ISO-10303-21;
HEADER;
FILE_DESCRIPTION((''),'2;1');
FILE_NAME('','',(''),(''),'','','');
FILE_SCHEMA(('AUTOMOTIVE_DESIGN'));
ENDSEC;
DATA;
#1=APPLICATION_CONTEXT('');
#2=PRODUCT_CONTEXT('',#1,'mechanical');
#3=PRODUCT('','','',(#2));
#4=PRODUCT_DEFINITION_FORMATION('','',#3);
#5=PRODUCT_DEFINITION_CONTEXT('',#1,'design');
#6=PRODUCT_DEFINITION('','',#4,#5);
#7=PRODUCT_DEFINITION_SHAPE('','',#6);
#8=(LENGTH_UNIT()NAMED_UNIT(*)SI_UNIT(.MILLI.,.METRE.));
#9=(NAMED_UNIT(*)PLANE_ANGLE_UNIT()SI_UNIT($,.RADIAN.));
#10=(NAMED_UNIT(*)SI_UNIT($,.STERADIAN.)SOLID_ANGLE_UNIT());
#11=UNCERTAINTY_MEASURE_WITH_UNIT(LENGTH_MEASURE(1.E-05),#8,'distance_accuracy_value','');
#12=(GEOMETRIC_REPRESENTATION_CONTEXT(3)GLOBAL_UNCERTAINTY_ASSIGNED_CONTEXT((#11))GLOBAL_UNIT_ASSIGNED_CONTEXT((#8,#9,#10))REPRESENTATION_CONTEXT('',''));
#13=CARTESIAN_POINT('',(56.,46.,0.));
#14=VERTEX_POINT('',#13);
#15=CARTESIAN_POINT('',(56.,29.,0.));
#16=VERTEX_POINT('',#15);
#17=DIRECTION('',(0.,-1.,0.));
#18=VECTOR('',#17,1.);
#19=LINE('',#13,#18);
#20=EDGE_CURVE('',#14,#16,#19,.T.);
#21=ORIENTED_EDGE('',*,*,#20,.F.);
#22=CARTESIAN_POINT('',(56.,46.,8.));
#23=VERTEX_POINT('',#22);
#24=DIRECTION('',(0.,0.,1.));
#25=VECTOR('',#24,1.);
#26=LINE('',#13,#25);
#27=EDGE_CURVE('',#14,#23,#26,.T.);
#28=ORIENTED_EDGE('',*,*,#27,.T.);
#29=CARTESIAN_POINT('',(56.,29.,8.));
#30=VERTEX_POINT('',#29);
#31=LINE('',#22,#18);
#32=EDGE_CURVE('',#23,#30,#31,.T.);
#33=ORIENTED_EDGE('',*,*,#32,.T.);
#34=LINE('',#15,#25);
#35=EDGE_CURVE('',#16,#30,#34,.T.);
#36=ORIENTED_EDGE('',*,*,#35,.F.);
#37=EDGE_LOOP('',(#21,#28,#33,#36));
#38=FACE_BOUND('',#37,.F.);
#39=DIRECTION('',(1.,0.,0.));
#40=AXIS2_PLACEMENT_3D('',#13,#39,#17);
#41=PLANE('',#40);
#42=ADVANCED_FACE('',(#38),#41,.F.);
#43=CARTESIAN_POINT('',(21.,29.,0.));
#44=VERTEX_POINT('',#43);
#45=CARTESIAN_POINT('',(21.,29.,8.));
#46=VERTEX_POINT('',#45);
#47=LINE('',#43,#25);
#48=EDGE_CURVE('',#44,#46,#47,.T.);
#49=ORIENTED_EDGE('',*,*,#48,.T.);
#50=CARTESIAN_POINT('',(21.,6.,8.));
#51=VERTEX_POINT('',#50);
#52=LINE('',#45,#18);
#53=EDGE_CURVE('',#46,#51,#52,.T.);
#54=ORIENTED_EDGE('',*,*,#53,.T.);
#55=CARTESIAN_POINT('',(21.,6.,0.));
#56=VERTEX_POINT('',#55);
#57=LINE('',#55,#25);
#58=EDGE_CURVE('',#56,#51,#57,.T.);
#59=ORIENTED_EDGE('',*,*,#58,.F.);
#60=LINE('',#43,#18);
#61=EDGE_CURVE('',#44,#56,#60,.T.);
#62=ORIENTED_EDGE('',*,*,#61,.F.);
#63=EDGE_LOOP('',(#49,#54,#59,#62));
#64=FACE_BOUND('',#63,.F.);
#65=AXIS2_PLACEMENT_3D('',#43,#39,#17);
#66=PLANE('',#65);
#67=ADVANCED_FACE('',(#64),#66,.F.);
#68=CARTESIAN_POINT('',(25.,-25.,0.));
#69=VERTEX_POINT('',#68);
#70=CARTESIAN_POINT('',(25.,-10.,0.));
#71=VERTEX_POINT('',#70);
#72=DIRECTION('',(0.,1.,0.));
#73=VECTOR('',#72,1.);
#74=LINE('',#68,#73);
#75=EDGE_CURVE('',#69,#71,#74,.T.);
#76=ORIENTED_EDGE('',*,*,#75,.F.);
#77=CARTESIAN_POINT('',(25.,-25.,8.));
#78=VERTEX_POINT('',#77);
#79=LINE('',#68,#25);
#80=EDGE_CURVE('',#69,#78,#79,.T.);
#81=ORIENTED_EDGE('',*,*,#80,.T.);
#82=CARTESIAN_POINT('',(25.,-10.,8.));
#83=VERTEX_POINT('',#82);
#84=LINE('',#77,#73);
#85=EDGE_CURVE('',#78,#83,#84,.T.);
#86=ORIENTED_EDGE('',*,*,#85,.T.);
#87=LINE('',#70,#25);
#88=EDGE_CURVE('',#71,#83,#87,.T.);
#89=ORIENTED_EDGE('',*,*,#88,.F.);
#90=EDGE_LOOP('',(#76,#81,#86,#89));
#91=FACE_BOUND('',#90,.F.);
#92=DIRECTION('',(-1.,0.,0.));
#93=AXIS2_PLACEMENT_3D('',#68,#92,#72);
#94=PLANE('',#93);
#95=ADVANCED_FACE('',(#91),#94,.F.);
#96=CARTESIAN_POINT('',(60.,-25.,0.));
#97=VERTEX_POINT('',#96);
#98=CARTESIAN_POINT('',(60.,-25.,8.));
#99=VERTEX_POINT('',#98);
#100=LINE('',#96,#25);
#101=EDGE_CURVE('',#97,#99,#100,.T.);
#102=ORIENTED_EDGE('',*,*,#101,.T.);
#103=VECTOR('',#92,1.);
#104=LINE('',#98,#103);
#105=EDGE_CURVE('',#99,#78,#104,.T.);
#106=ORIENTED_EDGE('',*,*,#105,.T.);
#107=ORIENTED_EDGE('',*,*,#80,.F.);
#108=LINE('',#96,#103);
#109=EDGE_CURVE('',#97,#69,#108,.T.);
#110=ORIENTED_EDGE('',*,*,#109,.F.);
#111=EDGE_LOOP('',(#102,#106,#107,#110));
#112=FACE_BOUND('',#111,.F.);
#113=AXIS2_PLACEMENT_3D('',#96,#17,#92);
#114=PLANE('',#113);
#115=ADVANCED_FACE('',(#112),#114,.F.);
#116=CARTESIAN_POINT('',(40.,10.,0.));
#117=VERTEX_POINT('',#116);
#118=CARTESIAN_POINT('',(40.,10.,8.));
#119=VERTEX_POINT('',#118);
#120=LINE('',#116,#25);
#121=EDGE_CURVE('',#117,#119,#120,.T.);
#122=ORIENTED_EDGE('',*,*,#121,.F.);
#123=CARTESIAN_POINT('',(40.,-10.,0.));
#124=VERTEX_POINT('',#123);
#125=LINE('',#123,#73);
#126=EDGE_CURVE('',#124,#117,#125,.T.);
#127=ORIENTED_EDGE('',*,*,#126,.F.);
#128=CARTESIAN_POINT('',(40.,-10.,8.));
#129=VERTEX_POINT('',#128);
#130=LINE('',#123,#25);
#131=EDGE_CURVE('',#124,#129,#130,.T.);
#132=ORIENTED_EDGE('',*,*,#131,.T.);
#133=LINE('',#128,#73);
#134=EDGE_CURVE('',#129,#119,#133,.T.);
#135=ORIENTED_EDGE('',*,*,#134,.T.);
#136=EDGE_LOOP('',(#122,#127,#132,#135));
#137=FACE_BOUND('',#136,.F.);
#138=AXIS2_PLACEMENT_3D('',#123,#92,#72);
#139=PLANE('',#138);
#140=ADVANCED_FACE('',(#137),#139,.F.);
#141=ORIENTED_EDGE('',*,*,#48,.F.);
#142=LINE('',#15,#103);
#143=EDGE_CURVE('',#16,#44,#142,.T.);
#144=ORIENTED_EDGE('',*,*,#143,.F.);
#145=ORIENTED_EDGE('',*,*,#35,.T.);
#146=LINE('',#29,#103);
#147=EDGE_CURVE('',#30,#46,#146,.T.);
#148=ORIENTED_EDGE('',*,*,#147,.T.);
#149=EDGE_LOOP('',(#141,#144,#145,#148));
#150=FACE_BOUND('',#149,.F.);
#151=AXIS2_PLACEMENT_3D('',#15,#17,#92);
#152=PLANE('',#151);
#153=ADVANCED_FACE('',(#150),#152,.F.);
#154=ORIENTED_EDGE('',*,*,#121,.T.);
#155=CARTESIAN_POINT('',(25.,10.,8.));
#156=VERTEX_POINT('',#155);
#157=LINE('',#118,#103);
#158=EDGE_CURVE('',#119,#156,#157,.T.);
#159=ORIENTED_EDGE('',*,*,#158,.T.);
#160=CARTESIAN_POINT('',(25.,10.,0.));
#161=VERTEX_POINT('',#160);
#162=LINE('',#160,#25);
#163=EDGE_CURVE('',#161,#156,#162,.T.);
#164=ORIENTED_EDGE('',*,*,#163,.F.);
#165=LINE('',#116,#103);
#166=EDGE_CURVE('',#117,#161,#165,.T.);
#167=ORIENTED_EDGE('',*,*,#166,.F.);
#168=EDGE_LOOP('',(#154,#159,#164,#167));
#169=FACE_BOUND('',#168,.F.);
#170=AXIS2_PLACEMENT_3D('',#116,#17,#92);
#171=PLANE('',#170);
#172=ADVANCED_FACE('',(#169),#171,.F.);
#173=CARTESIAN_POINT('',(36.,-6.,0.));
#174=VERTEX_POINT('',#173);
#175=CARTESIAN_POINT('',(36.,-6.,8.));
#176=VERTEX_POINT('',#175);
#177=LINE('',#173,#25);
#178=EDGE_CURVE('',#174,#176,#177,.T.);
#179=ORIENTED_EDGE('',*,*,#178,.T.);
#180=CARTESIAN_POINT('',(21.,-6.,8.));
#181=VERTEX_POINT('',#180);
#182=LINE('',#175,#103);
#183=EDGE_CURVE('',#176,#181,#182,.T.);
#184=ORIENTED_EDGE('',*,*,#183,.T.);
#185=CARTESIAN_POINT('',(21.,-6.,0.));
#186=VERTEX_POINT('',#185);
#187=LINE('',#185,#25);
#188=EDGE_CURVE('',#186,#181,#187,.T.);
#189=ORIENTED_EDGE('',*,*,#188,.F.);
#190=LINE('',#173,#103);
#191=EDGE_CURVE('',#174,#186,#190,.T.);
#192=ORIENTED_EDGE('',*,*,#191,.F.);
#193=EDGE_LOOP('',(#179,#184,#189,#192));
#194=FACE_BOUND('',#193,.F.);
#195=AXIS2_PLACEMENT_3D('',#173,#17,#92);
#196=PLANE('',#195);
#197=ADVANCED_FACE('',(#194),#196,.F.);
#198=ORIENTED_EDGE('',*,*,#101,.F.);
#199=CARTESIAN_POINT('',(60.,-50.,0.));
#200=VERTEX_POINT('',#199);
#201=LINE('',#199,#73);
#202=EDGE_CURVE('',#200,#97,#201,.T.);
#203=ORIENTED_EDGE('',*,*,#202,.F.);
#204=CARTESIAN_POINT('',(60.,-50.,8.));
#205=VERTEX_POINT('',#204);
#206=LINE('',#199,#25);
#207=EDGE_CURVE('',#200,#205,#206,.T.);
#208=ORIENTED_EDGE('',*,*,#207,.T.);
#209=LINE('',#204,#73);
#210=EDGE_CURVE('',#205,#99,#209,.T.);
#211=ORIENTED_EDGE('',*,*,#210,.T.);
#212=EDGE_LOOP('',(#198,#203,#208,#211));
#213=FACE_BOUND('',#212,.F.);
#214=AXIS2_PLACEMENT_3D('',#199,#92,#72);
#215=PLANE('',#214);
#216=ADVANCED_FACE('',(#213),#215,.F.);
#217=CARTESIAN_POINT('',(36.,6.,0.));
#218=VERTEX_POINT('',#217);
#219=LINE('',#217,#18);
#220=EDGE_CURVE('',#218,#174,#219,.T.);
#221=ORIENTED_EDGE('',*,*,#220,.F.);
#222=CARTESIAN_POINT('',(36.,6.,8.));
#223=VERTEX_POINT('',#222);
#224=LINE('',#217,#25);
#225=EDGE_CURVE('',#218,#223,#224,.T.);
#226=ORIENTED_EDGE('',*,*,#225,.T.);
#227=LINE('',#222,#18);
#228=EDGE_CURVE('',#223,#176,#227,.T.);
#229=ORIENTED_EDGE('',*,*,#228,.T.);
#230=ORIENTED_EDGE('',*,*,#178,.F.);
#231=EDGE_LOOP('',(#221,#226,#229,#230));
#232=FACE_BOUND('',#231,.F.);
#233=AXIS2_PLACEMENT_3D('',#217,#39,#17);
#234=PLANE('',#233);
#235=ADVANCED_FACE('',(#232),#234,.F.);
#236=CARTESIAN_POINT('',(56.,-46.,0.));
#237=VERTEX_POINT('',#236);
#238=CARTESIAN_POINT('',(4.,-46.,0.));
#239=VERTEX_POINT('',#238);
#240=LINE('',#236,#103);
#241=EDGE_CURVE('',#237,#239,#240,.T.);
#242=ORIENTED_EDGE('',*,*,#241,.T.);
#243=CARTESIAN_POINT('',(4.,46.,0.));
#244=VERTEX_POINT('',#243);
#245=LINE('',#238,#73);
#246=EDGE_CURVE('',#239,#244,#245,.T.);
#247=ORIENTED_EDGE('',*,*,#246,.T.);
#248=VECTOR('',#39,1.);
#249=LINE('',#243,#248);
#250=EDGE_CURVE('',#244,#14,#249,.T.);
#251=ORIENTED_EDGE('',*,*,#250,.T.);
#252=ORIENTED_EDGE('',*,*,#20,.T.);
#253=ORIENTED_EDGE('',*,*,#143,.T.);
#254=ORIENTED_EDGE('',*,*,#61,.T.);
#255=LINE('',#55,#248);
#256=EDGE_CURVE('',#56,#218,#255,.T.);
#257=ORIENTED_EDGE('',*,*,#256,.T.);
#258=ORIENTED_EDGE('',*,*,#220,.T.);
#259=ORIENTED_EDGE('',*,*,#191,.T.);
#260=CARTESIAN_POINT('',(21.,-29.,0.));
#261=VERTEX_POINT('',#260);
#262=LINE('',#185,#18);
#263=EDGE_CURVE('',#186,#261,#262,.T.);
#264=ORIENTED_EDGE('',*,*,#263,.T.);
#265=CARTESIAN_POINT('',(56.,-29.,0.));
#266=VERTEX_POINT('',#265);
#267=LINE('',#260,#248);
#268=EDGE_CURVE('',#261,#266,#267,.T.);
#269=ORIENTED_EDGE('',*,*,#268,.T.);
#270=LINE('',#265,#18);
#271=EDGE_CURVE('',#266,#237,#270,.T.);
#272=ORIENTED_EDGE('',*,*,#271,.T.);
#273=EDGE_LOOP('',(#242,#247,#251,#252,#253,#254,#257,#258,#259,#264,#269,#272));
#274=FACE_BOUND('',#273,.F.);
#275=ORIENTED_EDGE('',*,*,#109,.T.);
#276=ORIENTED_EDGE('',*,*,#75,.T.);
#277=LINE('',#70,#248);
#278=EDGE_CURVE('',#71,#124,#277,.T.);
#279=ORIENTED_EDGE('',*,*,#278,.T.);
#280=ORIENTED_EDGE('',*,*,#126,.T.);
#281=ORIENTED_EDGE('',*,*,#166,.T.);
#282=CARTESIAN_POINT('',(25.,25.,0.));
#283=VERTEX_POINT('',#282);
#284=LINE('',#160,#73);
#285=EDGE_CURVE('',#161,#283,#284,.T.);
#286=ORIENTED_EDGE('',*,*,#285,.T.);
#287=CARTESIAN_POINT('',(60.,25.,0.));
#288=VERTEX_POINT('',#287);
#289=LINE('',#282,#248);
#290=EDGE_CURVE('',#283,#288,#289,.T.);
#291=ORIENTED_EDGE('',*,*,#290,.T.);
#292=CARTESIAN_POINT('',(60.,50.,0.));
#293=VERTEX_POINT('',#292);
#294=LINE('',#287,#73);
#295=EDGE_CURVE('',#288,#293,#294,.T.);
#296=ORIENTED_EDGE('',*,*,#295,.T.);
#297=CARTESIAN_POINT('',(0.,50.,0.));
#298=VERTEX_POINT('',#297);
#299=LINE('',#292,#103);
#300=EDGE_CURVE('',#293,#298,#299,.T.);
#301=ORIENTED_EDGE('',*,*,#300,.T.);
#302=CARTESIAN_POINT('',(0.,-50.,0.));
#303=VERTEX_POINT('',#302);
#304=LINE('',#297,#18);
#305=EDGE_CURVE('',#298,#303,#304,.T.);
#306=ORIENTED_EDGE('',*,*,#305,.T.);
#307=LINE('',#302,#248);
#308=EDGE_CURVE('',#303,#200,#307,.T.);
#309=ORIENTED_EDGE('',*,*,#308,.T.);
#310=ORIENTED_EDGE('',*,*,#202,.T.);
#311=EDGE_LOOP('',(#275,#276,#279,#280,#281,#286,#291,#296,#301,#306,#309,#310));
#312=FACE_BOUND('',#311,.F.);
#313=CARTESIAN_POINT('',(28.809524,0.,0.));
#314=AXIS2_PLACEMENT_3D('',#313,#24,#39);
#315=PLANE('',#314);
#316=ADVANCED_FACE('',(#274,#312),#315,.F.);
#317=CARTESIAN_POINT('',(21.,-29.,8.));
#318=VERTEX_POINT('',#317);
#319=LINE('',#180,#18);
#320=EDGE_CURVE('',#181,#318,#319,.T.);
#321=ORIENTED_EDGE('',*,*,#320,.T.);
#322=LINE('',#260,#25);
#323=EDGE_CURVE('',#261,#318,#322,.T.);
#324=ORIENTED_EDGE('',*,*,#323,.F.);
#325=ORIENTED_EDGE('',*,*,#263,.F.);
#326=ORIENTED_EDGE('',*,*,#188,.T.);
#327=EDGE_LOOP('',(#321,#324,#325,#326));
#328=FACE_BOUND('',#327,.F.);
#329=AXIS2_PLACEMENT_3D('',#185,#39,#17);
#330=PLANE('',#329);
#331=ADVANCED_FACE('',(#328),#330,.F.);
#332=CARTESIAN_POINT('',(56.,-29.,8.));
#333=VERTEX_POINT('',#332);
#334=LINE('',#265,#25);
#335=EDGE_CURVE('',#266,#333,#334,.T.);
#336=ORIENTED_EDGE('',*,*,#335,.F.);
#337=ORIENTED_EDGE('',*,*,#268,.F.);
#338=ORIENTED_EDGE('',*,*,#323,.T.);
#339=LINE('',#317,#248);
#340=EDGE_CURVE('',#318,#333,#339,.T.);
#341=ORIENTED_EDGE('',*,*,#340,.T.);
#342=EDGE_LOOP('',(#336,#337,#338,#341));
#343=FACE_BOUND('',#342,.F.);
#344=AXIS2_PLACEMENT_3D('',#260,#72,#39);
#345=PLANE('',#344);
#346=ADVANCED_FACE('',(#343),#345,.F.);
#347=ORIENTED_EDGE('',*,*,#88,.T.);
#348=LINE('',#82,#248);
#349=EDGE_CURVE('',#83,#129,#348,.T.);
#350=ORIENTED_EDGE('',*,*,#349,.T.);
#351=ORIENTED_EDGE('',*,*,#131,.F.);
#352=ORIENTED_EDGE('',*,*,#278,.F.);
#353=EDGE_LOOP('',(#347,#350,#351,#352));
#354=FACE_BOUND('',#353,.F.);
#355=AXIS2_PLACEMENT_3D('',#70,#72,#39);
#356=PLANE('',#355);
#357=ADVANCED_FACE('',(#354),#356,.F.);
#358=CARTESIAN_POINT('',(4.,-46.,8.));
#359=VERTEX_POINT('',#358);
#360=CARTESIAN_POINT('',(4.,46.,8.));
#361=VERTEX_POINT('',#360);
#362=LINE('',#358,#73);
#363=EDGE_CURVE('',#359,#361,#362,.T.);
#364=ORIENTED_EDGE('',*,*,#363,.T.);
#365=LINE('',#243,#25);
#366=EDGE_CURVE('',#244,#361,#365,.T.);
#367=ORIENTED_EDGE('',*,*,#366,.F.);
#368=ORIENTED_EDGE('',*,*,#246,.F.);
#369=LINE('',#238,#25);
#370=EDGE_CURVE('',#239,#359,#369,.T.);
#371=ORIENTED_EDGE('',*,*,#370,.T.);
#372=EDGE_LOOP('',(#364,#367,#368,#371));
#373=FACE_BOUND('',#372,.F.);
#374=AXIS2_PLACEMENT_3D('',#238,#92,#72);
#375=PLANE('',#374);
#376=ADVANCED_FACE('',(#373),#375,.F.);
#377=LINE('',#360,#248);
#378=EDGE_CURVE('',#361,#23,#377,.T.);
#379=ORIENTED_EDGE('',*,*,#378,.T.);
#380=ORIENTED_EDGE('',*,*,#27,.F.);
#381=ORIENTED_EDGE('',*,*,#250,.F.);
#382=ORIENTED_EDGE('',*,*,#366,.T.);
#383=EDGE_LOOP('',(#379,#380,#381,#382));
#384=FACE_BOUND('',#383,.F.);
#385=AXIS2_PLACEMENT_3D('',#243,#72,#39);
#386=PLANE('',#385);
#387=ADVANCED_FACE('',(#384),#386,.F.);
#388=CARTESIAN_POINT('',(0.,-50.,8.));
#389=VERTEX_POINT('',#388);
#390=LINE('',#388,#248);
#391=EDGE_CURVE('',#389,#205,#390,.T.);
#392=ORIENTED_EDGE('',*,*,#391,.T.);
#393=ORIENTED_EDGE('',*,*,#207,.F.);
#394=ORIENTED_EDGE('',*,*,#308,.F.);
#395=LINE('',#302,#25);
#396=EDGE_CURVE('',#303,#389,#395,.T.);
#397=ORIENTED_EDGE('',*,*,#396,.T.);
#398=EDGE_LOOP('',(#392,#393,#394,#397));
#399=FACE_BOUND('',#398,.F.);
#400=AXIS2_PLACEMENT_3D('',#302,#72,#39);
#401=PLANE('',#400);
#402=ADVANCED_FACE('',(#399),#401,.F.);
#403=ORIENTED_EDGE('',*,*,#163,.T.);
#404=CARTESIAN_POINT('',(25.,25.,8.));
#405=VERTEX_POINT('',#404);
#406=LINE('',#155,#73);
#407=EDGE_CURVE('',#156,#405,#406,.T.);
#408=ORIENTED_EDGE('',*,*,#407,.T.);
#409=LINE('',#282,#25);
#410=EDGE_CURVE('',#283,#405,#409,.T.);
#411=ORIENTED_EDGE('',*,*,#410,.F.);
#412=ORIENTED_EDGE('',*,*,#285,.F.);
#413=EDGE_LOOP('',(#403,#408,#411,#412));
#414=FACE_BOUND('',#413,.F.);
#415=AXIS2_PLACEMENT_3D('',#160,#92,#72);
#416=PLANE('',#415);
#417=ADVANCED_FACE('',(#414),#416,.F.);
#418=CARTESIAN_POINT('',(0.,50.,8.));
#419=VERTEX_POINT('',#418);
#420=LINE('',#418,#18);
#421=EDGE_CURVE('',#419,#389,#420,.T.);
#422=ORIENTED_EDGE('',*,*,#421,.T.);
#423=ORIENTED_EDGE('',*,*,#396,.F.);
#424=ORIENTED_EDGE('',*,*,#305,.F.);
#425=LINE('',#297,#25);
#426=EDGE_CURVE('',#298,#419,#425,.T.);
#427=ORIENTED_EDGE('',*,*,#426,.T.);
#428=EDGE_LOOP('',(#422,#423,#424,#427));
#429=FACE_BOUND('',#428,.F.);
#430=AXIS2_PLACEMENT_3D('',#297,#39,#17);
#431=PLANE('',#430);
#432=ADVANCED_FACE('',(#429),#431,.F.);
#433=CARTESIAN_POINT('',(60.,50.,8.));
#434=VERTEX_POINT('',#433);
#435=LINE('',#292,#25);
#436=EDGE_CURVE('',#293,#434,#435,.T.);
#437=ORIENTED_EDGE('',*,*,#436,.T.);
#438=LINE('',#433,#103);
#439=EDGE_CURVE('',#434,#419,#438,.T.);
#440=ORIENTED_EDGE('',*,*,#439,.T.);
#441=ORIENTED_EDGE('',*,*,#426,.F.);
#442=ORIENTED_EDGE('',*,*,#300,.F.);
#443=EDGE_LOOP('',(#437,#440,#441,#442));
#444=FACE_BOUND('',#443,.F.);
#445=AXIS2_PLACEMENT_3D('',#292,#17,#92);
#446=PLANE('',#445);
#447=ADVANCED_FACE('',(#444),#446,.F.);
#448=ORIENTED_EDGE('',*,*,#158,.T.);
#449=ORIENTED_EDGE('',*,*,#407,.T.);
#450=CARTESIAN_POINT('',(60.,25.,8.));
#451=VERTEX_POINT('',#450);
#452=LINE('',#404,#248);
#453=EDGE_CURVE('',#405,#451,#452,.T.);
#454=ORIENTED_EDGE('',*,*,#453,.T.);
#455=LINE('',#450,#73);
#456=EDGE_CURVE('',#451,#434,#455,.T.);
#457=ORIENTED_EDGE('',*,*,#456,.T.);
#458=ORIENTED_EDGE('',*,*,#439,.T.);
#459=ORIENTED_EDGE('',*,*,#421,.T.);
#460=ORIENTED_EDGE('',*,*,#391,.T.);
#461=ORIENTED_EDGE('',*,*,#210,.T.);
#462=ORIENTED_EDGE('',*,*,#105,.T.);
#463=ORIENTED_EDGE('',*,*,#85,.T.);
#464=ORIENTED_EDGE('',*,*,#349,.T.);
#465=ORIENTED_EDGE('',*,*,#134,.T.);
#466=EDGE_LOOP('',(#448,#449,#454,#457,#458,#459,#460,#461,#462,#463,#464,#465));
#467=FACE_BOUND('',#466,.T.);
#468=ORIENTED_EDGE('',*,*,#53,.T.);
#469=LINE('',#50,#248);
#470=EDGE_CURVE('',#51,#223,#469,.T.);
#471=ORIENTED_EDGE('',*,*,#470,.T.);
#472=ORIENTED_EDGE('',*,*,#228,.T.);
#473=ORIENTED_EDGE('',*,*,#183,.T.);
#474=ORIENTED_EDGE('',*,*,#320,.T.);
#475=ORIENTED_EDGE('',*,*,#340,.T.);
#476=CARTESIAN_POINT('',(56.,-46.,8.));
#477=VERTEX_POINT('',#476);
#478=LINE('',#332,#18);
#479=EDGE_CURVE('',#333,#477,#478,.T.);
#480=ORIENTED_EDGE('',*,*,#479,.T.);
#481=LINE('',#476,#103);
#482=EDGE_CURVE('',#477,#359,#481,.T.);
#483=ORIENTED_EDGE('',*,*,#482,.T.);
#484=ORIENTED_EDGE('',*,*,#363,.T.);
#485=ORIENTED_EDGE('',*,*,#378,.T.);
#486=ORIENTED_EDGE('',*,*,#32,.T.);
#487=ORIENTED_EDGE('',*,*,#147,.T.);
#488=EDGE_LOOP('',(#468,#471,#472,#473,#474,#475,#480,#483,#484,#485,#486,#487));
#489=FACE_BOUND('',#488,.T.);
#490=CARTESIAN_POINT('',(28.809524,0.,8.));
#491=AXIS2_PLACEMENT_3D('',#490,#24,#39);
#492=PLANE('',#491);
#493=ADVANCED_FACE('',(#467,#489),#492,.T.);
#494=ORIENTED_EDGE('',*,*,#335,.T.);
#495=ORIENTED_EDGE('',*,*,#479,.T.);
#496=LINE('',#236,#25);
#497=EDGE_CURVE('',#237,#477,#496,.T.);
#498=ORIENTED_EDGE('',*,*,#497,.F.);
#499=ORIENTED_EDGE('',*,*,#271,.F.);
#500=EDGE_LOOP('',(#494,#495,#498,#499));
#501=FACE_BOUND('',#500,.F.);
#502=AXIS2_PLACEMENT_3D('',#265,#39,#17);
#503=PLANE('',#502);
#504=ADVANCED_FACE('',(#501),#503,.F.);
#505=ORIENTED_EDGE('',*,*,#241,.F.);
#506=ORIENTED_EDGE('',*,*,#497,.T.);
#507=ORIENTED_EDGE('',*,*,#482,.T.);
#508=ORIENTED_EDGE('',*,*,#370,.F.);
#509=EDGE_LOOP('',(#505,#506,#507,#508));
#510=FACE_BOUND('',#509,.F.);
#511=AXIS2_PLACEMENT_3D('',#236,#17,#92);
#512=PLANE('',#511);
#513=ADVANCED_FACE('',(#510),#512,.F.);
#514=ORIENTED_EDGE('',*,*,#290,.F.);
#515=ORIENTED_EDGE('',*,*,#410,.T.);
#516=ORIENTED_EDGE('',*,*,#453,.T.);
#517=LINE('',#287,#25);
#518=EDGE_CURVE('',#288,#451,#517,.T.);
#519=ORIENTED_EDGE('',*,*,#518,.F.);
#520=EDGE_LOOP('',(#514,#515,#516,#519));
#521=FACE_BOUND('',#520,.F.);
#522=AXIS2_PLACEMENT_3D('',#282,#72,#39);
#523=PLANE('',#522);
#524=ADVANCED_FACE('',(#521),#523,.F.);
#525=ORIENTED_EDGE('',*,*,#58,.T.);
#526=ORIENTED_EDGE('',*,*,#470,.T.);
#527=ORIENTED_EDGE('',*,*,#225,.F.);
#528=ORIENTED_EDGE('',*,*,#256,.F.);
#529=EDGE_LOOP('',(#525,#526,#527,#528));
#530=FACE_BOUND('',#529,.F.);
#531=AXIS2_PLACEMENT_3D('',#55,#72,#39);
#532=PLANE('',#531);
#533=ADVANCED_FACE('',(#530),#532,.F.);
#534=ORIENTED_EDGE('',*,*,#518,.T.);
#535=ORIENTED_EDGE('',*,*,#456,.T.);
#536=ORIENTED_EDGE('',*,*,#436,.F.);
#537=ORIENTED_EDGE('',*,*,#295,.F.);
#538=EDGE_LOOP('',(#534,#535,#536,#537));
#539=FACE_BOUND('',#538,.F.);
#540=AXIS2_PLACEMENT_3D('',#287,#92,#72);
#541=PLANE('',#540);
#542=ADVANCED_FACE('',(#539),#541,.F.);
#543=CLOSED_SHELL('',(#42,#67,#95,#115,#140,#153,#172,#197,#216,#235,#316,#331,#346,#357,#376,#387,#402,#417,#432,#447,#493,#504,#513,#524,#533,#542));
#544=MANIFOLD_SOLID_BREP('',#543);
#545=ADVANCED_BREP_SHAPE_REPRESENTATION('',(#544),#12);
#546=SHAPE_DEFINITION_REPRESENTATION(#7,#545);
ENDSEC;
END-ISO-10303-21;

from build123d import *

# Parameters (mm, degrees)
F1_DEPTH = 8


with BuildPart() as f1:
    # F0 (on Top) → F1 (new body)
    with BuildSketch(Plane.XY):
        Polygon((0, 50), (0, 0), (0, -50), (60, -50), (60, -25), (25, -25), (25, -10), (40, -10), (40, 0), (40, 10), (25, 10), (25, 25), (60, 25), (60, 50), align=None)
        Polygon((4, -46), (4, 0), (4, 46), (56, 46), (56, 29), (21, 29), (21, 6), (36, 6), (36, 0), (36, -6), (21, -6), (21, -29), (56, -29), (56, -46), align=None, mode=Mode.SUBTRACT)
    extrude(amount=F1_DEPTH)


solid = f1.part
